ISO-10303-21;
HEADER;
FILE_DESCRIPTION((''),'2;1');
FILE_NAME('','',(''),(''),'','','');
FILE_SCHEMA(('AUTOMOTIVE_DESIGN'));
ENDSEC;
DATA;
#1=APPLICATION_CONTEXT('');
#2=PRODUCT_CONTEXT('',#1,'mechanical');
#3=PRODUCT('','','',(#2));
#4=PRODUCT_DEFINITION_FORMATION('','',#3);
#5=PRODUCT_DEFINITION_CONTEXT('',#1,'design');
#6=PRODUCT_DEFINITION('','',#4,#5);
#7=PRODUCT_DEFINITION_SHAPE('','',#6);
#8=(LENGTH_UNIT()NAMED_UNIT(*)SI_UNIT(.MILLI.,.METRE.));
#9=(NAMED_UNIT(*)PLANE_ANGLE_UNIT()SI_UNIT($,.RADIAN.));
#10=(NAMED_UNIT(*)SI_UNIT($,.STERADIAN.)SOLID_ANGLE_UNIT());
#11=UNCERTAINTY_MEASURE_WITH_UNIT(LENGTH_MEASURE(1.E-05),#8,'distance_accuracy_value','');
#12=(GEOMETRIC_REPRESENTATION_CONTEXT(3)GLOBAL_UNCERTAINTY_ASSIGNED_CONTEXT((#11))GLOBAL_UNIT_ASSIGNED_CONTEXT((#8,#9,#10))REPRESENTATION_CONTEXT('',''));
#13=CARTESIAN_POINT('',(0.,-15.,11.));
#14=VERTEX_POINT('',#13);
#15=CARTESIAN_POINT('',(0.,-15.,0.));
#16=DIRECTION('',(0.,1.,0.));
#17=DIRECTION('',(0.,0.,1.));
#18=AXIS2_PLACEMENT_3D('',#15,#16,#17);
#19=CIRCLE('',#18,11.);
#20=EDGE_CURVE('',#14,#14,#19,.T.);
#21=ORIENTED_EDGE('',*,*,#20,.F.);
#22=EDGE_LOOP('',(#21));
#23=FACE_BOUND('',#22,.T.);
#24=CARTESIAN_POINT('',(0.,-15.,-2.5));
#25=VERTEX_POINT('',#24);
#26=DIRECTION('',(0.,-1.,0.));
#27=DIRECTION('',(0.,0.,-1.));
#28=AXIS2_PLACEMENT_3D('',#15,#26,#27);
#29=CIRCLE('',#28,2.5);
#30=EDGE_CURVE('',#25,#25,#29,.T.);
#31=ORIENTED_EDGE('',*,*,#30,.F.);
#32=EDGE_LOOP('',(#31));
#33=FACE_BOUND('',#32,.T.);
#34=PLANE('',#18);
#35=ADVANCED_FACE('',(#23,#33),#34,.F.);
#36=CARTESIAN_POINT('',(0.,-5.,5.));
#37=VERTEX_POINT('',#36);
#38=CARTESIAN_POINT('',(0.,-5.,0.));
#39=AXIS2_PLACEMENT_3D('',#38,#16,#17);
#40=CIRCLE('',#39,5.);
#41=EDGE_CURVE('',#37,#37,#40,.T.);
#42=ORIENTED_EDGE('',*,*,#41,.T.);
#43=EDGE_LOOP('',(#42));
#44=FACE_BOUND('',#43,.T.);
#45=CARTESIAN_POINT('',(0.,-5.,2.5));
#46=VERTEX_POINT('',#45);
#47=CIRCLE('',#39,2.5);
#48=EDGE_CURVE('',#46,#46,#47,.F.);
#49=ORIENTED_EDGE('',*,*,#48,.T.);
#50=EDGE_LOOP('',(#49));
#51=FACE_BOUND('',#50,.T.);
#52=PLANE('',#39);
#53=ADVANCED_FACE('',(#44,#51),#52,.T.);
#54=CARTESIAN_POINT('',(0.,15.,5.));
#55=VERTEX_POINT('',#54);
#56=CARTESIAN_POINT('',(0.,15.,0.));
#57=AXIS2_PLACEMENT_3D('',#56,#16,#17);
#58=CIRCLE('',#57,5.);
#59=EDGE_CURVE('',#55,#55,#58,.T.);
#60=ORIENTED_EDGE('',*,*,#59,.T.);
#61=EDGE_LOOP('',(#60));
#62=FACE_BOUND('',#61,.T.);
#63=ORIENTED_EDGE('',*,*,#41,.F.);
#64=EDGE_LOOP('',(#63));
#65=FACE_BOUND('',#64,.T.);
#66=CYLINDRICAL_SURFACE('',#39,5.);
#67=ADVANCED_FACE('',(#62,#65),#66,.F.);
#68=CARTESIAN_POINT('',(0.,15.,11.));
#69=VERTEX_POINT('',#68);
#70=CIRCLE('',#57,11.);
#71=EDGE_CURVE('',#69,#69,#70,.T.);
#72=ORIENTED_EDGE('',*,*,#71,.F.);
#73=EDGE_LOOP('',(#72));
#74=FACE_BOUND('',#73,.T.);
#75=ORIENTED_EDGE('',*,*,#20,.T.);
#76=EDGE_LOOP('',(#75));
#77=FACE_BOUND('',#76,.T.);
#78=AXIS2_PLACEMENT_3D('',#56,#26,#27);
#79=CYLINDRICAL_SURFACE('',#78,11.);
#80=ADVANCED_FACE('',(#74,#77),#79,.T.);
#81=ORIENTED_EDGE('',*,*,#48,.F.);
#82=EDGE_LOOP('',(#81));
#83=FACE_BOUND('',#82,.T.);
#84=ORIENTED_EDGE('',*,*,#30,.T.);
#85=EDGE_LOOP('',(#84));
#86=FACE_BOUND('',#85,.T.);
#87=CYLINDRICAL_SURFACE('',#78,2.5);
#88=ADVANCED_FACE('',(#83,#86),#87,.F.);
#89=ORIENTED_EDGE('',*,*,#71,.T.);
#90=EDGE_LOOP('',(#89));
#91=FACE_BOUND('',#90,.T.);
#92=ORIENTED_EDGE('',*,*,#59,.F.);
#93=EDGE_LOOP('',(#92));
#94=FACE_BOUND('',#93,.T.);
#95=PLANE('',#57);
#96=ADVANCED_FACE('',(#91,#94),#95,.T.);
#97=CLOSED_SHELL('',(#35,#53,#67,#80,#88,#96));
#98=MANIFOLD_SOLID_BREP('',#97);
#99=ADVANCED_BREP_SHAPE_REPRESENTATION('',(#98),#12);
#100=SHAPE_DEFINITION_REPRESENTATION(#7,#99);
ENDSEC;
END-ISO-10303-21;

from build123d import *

# Parameters (mm, degrees)
SKETCH_2_R          = 11
EXTRUDE_1_DEPTH     = 15
SKETCH_3_R          = 2.5
CUT_EXTRUDE_1_DEPTH = 34.793490497
SKETCH_4_R          = 5
CUT_EXTRUDE_2_DEPTH = 20


with BuildPart() as part:
    # 스케치2 → 보스-돌출1 (new, symmetric)
    with BuildSketch(Plane(origin=(0, 0, 0), x_dir=(1, 0, 0), z_dir=(0, 1, 0))):
        with Locations(Location((0, 0, 0), (0, 0, 270))):
            Circle(SKETCH_2_R)
    extrude(amount=EXTRUDE_1_DEPTH, both=True)

    # 스케치3 → 컷-돌출1 (cut, through all)
    with BuildSketch(Plane.XZ.offset(15)):
        with Locations(Location((0, 0, 0), (0, 0, 270))):
            Circle(SKETCH_3_R)
    extrude(amount=-CUT_EXTRUDE_1_DEPTH, mode=Mode.SUBTRACT)

    # 스케치4 → 컷-돌출2 (cut)
    with BuildSketch(Plane(origin=(0, 15, 0), x_dir=(1, 0, 0), z_dir=(0, 1, 0))):
        with Locations(Location((0, 0, 0), (0, 0, 270))):
            Circle(SKETCH_4_R)
    extrude(amount=-CUT_EXTRUDE_2_DEPTH, mode=Mode.SUBTRACT)


solid = part.part
